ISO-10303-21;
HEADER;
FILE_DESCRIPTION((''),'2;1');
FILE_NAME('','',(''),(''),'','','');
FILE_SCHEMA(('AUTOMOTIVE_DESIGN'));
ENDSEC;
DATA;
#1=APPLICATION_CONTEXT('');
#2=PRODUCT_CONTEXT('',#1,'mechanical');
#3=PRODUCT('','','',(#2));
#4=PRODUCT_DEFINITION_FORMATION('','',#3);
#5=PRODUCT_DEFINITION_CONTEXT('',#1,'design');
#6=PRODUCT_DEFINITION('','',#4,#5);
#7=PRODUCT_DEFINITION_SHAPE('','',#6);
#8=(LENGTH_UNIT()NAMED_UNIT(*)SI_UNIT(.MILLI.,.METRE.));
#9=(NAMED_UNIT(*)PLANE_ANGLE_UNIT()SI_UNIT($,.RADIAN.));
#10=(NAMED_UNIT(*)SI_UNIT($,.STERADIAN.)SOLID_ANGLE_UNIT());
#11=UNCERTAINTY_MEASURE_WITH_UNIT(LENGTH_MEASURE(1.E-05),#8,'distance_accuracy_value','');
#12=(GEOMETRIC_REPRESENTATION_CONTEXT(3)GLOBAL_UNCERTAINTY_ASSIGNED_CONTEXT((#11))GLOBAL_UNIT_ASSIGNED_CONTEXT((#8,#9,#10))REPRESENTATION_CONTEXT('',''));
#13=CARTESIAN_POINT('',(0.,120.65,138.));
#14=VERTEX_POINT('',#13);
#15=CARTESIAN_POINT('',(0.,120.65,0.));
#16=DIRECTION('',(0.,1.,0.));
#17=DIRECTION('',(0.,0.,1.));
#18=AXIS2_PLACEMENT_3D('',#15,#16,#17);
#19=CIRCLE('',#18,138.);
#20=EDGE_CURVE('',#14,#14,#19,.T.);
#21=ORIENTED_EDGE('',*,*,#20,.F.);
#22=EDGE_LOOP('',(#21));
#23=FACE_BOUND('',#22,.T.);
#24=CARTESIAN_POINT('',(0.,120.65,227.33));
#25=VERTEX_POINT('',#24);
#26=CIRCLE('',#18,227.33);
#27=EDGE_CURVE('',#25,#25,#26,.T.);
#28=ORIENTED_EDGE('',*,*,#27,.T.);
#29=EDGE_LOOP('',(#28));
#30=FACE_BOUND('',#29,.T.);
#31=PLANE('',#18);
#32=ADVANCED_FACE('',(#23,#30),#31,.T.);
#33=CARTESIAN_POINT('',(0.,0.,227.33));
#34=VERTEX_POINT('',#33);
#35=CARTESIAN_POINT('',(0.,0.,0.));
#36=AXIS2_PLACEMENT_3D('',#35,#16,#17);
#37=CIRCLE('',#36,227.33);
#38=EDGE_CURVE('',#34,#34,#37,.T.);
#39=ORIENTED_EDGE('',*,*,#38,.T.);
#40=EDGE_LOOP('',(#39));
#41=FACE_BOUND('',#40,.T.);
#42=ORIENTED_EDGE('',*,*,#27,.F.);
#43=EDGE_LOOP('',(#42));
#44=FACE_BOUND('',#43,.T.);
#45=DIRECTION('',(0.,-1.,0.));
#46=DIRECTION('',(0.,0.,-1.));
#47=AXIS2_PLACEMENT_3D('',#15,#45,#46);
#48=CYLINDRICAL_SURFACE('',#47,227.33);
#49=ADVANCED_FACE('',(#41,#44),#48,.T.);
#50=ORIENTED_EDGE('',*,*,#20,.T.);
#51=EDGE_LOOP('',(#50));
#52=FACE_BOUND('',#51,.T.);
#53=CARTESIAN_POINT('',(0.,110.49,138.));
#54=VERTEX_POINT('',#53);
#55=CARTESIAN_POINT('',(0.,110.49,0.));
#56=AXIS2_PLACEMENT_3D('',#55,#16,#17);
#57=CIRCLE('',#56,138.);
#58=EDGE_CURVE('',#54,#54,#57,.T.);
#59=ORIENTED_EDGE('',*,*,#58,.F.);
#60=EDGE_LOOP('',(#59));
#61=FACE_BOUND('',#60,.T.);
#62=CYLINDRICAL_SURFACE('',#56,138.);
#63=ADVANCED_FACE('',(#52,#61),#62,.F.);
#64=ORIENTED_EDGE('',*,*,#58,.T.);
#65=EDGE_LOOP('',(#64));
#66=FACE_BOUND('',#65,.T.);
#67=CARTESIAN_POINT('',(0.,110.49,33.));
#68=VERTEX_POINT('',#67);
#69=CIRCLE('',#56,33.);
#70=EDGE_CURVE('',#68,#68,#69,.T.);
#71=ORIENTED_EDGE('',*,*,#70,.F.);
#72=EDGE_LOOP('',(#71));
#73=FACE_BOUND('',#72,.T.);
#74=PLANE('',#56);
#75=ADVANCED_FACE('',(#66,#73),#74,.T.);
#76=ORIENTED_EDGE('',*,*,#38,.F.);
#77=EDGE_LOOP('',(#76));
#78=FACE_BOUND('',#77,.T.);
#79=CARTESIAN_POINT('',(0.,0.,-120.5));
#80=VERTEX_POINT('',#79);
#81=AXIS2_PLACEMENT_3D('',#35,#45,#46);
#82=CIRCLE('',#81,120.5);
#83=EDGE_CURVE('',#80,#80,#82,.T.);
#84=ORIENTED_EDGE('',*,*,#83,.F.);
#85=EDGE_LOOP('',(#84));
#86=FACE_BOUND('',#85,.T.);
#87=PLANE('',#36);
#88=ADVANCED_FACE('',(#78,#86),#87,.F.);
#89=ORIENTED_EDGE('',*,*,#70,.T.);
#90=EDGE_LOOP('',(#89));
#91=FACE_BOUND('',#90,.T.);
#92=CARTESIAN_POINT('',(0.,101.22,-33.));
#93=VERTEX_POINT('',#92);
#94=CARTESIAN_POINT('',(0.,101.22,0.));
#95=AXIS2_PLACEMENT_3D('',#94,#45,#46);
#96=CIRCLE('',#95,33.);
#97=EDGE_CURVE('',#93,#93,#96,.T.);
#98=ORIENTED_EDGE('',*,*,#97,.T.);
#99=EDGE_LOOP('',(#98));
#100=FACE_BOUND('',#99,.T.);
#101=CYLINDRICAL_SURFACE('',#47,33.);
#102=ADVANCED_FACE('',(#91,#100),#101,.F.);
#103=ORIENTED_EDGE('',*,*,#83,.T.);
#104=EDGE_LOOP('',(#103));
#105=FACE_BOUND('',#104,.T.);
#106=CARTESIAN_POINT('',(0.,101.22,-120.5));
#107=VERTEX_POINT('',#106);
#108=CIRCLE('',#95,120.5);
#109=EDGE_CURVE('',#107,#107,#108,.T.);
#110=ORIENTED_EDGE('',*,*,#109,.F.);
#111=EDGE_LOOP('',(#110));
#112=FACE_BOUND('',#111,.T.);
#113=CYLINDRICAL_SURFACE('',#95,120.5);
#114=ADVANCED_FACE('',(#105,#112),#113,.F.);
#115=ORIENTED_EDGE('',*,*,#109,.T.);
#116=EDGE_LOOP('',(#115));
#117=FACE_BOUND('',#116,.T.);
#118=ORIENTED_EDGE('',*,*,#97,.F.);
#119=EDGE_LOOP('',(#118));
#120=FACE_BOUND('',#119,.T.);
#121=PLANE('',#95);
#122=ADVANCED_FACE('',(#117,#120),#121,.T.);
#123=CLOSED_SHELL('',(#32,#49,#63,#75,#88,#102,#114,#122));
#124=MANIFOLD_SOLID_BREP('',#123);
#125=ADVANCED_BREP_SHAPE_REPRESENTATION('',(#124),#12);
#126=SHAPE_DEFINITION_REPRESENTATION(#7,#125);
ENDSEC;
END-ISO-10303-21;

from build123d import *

# Parameters (mm, degrees)
SKETCH1_R           = 227.33
SKETCH1_R_2         = 33
BOSS_EXTRUDE1_DEPTH = 120.65
SKETCH2_R           = 120.5
CUT_EXTRUDE1_DEPTH  = 101.22
SKETCH3_R           = 138
CUT_EXTRUDE2_DEPTH  = 10.16


with BuildPart() as part:
    # Sketch1 → Boss-Extrude1 (new body)
    with BuildSketch(Plane(origin=(0, 0, 0), x_dir=(1, 0, 0), z_dir=(0, 1, 0))):
        with Locations(Location((0, 0, 0), (0, 0, 270))):
            Circle(SKETCH1_R)
        with Locations(Location((0, 0, 0), (0, 0, 270))):
            Circle(SKETCH1_R_2, mode=Mode.SUBTRACT)
    extrude(amount=BOSS_EXTRUDE1_DEPTH)

    # Sketch2 → Cut-Extrude1 (cut)
    with BuildSketch(Plane.XZ):
        with Locations(Location((0, 0, 0), (0, 0, 270))):
            Circle(SKETCH2_R)
    extrude(amount=-CUT_EXTRUDE1_DEPTH, mode=Mode.SUBTRACT)

    # Sketch3 → Cut-Extrude2 (cut)
    with BuildSketch(Plane(origin=(0, 120.65, 0), x_dir=(1, 0, 0), z_dir=(0, 1, 0))):
        with Locations(Location((0, 0, 0), (0, 0, 270))):
            Circle(SKETCH3_R)
    extrude(amount=-CUT_EXTRUDE2_DEPTH, mode=Mode.SUBTRACT)


solid = part.part
